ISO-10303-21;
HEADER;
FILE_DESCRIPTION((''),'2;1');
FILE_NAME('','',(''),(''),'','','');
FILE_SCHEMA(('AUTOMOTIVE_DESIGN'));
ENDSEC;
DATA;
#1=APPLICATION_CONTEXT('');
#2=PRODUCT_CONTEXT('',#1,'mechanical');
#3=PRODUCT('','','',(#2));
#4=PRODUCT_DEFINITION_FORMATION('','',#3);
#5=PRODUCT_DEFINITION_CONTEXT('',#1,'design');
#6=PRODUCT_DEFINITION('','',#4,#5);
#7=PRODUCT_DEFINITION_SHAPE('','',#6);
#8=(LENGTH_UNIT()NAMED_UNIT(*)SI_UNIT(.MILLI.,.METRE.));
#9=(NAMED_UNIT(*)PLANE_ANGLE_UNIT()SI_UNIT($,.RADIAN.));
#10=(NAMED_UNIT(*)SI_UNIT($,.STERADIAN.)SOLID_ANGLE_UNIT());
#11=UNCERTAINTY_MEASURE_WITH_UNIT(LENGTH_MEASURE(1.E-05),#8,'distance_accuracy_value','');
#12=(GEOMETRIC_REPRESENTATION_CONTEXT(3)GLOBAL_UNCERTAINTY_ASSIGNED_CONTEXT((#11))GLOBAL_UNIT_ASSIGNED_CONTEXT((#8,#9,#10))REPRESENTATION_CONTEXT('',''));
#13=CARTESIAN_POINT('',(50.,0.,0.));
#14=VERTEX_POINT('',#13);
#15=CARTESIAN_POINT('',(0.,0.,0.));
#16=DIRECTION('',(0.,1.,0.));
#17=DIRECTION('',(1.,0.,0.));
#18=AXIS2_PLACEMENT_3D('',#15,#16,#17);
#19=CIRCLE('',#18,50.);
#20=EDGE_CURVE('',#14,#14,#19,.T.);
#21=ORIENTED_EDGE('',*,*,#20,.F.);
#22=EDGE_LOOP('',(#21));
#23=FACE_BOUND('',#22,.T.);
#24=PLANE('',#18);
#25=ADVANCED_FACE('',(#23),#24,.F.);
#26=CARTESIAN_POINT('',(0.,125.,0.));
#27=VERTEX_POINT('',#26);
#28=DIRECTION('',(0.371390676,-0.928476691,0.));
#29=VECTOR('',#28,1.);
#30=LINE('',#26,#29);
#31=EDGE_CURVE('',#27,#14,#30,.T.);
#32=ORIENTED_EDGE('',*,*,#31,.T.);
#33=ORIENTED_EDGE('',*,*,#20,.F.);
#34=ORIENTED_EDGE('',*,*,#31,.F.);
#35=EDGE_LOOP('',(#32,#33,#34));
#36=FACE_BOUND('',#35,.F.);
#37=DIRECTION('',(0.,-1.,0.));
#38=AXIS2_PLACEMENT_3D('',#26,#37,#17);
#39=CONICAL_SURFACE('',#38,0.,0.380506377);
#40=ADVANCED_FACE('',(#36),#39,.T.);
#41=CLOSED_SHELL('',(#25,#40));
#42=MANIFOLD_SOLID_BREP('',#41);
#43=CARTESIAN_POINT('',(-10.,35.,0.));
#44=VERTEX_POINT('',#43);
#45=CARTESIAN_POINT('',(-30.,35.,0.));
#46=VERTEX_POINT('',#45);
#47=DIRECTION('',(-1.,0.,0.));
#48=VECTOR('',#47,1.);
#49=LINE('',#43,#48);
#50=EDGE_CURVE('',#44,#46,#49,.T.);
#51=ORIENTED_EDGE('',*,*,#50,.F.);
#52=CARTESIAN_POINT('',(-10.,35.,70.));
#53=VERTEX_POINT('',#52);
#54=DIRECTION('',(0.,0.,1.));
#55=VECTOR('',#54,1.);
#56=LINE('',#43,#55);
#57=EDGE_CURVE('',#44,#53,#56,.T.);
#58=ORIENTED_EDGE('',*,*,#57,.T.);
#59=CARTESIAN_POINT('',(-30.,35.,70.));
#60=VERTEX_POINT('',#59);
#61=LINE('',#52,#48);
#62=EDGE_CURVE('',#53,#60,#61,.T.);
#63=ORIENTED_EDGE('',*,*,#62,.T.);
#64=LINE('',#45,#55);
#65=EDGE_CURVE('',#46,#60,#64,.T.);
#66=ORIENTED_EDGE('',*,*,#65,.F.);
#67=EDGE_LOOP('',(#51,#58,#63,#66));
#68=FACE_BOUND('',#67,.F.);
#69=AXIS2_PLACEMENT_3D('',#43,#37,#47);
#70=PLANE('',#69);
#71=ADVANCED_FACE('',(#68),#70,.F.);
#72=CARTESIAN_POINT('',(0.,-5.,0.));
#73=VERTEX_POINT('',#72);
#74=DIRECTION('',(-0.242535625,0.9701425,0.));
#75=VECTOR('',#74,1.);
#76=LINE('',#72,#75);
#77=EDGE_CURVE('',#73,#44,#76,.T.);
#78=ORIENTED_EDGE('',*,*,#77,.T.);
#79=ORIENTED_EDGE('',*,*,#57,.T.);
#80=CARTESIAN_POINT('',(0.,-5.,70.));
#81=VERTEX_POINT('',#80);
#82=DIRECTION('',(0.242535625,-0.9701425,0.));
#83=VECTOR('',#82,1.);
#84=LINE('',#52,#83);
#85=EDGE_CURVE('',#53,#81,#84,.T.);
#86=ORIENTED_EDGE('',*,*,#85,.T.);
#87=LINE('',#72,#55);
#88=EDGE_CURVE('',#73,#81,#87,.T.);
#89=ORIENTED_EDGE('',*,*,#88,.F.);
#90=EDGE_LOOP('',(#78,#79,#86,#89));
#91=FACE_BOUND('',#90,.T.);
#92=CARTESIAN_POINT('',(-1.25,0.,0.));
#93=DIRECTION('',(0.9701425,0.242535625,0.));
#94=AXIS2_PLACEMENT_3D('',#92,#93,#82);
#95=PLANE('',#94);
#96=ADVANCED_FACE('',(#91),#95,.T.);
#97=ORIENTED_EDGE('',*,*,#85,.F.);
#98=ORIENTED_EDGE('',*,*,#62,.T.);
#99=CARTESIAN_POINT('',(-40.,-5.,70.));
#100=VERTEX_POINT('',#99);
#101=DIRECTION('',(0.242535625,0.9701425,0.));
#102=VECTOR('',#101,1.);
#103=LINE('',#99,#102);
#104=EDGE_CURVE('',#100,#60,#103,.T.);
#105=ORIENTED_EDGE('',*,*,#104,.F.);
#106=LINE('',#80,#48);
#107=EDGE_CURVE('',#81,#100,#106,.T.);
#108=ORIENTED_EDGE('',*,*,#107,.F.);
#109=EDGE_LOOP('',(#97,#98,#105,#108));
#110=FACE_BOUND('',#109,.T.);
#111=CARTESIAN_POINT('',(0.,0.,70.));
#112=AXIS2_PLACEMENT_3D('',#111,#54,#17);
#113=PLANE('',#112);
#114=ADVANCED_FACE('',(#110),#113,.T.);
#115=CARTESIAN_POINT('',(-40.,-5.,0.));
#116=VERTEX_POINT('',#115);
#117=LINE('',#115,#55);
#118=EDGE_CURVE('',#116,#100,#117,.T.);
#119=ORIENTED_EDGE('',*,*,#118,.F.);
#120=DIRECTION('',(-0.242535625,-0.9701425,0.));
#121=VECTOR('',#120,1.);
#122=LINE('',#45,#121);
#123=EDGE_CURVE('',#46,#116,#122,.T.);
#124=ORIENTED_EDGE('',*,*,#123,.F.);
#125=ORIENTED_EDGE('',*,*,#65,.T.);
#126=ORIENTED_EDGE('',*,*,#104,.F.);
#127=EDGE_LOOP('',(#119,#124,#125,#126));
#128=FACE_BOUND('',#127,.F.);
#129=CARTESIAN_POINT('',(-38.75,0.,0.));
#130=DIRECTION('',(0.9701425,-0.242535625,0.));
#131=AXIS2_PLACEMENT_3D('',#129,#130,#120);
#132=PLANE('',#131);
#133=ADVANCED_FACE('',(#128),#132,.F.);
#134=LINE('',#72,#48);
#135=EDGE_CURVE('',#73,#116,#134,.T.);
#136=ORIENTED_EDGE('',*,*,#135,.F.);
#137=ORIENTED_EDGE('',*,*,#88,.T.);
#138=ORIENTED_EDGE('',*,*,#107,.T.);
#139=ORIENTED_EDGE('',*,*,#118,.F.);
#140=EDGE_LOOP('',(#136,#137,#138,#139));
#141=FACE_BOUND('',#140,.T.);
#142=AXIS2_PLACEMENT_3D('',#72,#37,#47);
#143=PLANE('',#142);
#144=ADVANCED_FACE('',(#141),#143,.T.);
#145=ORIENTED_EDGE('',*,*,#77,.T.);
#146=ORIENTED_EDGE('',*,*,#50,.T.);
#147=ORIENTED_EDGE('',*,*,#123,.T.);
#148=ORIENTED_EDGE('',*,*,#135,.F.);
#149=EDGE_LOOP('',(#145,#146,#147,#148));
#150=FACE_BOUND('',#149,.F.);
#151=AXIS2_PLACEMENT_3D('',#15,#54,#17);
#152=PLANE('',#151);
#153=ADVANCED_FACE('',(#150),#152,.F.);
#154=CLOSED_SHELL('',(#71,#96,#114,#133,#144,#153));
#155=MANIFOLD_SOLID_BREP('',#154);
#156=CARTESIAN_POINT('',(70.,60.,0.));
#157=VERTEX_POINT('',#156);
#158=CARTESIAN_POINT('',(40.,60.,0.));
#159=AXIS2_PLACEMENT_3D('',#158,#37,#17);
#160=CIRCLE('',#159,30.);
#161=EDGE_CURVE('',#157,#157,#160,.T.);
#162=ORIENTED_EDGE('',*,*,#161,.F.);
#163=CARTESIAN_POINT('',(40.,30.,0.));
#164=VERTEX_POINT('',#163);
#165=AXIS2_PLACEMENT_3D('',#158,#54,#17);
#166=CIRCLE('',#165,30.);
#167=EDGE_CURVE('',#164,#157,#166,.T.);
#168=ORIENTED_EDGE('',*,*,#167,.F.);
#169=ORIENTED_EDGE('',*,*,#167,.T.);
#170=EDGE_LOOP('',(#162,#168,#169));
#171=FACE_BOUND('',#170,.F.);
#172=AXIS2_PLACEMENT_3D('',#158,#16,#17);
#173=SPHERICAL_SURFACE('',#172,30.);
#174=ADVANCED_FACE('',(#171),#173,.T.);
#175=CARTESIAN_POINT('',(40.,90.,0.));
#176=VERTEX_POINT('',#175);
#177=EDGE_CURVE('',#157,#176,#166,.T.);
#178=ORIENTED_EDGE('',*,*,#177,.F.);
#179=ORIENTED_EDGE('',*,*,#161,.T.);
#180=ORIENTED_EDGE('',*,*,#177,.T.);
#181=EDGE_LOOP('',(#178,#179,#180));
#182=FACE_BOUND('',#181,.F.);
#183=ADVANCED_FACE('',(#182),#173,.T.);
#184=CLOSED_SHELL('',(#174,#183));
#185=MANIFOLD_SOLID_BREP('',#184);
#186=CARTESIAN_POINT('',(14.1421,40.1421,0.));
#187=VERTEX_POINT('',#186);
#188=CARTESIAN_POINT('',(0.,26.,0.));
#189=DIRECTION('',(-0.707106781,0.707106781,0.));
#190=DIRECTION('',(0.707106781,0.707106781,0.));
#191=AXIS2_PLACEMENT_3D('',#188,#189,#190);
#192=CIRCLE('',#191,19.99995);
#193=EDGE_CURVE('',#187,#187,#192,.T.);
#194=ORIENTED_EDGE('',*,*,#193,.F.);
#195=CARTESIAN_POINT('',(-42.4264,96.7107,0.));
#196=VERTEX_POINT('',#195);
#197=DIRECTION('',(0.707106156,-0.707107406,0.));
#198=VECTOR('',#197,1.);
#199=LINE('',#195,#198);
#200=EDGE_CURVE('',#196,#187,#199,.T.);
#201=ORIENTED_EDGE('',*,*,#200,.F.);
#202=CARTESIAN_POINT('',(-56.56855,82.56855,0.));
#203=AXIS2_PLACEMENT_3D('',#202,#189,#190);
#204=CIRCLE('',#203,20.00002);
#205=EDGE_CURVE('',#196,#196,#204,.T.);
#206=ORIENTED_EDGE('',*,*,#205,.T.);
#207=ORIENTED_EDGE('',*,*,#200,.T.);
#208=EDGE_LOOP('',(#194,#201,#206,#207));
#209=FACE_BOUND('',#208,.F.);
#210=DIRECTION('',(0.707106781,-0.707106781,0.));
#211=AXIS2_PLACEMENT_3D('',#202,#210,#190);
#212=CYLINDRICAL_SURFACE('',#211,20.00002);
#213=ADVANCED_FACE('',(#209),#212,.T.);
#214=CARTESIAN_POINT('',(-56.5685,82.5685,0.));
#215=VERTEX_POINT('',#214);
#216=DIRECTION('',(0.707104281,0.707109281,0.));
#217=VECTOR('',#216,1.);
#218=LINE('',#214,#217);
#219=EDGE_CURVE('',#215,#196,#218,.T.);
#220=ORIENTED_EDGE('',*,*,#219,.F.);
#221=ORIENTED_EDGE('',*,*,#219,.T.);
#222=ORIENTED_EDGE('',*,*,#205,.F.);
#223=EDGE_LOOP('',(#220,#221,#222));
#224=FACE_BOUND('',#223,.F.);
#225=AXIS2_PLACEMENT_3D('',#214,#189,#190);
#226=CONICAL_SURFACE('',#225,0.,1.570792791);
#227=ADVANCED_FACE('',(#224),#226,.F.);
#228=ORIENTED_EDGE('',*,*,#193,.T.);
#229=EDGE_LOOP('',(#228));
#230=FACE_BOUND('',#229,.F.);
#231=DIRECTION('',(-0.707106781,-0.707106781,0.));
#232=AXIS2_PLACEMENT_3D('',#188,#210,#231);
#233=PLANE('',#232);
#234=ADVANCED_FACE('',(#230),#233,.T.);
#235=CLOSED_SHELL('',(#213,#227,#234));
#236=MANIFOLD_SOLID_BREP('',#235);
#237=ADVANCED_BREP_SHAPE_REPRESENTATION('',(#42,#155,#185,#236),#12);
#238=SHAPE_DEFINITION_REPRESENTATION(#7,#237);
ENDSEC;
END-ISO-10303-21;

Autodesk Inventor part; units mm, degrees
ref_plane "YZ Plane" through (0, 0, 0) normal (1, 0, 0) x (0, 1, 0)
ref_plane "XZ Plane" through (0, 0, 0) normal (0, 1, 0) x (-1, 0, 0)
ref_plane "XY Plane" through (0, 0, 0) normal (0, 0, 1) x (1, 0, 0)
sketch "Эскиз2" plane through (0, 0, 0) normal (0, 0, 1) x (1, 0, 0)
  line L0 (0, 0) -> (50, 0)
  line L1 (0, 0) -> (0, 125)
  line L2 (0, 125) -> (50, 0)
  dimension "d4" = 50
  dimension "d5" = 125
revolve "Вращение2" add sketch "Эскиз2" angle 360 about axis through (0, 0, 0) along (0, 1, 0)
sketch "Эскиз3" plane through (0, 0, 0) normal (0, 0, 1) x (1, 0, 0)
  line L0 (0, -5) -> (-40, -5)
  line L1 (-10, 35) -> (0, -5)
  line L2 (-10, 35) -> (-30, 35)
  line L3 (-50, 0) -> (50, 0) projected
  line L4 (-30, 35) -> (-40, -5)
  point P0 (0, 0)
  dimension "d7" = 40
  dimension "d8" = 20
extrude "Выдавливание1" add sketch "Эскиз3" along normal blind 70 separate body
sketch "Эскиз4" plane through (0, 0, 0) normal (0, 0, 1) x (1, 0, 0)
  circle A0 centre (40, 60) radius 30
  line L0 (40, 90) -> (40, 30)
  point P0 (0, 0)
  dimension "d11" = 60
revolve "Вращение3" add sketch "Эскиз4" angle 360 about axis through (40, 90, 0) along (0, -1, 0) separate body picked at (52.2687, 66.2349) contours A0 L0
sketch "Эскиз5" plane through (0, 0, 0) normal (0, 0, 1) x (1, 0, 0)
  line L0 (0, 26) -> (-56.5685, 82.5685)
  line L1 (-56.5685, 82.5685) -> (-42.4264, 96.7107)
  line L2 (-42.4264, 96.7107) -> (14.1421, 40.1421)
  line L3 (14.1421, 40.1421) -> (0, 26)
  line L4 (0, 26) -> (80, 26) construction
  point P0 (0, 0)
  dimension "d13" = 80
  dimension "d14" = 135
  dimension "d15" = 20
revolve "Вращение4" add sketch "Эскиз5" angle 360 about axis through (0, 26, 0) along (-0.7071, 0.7071, 0) separate body
